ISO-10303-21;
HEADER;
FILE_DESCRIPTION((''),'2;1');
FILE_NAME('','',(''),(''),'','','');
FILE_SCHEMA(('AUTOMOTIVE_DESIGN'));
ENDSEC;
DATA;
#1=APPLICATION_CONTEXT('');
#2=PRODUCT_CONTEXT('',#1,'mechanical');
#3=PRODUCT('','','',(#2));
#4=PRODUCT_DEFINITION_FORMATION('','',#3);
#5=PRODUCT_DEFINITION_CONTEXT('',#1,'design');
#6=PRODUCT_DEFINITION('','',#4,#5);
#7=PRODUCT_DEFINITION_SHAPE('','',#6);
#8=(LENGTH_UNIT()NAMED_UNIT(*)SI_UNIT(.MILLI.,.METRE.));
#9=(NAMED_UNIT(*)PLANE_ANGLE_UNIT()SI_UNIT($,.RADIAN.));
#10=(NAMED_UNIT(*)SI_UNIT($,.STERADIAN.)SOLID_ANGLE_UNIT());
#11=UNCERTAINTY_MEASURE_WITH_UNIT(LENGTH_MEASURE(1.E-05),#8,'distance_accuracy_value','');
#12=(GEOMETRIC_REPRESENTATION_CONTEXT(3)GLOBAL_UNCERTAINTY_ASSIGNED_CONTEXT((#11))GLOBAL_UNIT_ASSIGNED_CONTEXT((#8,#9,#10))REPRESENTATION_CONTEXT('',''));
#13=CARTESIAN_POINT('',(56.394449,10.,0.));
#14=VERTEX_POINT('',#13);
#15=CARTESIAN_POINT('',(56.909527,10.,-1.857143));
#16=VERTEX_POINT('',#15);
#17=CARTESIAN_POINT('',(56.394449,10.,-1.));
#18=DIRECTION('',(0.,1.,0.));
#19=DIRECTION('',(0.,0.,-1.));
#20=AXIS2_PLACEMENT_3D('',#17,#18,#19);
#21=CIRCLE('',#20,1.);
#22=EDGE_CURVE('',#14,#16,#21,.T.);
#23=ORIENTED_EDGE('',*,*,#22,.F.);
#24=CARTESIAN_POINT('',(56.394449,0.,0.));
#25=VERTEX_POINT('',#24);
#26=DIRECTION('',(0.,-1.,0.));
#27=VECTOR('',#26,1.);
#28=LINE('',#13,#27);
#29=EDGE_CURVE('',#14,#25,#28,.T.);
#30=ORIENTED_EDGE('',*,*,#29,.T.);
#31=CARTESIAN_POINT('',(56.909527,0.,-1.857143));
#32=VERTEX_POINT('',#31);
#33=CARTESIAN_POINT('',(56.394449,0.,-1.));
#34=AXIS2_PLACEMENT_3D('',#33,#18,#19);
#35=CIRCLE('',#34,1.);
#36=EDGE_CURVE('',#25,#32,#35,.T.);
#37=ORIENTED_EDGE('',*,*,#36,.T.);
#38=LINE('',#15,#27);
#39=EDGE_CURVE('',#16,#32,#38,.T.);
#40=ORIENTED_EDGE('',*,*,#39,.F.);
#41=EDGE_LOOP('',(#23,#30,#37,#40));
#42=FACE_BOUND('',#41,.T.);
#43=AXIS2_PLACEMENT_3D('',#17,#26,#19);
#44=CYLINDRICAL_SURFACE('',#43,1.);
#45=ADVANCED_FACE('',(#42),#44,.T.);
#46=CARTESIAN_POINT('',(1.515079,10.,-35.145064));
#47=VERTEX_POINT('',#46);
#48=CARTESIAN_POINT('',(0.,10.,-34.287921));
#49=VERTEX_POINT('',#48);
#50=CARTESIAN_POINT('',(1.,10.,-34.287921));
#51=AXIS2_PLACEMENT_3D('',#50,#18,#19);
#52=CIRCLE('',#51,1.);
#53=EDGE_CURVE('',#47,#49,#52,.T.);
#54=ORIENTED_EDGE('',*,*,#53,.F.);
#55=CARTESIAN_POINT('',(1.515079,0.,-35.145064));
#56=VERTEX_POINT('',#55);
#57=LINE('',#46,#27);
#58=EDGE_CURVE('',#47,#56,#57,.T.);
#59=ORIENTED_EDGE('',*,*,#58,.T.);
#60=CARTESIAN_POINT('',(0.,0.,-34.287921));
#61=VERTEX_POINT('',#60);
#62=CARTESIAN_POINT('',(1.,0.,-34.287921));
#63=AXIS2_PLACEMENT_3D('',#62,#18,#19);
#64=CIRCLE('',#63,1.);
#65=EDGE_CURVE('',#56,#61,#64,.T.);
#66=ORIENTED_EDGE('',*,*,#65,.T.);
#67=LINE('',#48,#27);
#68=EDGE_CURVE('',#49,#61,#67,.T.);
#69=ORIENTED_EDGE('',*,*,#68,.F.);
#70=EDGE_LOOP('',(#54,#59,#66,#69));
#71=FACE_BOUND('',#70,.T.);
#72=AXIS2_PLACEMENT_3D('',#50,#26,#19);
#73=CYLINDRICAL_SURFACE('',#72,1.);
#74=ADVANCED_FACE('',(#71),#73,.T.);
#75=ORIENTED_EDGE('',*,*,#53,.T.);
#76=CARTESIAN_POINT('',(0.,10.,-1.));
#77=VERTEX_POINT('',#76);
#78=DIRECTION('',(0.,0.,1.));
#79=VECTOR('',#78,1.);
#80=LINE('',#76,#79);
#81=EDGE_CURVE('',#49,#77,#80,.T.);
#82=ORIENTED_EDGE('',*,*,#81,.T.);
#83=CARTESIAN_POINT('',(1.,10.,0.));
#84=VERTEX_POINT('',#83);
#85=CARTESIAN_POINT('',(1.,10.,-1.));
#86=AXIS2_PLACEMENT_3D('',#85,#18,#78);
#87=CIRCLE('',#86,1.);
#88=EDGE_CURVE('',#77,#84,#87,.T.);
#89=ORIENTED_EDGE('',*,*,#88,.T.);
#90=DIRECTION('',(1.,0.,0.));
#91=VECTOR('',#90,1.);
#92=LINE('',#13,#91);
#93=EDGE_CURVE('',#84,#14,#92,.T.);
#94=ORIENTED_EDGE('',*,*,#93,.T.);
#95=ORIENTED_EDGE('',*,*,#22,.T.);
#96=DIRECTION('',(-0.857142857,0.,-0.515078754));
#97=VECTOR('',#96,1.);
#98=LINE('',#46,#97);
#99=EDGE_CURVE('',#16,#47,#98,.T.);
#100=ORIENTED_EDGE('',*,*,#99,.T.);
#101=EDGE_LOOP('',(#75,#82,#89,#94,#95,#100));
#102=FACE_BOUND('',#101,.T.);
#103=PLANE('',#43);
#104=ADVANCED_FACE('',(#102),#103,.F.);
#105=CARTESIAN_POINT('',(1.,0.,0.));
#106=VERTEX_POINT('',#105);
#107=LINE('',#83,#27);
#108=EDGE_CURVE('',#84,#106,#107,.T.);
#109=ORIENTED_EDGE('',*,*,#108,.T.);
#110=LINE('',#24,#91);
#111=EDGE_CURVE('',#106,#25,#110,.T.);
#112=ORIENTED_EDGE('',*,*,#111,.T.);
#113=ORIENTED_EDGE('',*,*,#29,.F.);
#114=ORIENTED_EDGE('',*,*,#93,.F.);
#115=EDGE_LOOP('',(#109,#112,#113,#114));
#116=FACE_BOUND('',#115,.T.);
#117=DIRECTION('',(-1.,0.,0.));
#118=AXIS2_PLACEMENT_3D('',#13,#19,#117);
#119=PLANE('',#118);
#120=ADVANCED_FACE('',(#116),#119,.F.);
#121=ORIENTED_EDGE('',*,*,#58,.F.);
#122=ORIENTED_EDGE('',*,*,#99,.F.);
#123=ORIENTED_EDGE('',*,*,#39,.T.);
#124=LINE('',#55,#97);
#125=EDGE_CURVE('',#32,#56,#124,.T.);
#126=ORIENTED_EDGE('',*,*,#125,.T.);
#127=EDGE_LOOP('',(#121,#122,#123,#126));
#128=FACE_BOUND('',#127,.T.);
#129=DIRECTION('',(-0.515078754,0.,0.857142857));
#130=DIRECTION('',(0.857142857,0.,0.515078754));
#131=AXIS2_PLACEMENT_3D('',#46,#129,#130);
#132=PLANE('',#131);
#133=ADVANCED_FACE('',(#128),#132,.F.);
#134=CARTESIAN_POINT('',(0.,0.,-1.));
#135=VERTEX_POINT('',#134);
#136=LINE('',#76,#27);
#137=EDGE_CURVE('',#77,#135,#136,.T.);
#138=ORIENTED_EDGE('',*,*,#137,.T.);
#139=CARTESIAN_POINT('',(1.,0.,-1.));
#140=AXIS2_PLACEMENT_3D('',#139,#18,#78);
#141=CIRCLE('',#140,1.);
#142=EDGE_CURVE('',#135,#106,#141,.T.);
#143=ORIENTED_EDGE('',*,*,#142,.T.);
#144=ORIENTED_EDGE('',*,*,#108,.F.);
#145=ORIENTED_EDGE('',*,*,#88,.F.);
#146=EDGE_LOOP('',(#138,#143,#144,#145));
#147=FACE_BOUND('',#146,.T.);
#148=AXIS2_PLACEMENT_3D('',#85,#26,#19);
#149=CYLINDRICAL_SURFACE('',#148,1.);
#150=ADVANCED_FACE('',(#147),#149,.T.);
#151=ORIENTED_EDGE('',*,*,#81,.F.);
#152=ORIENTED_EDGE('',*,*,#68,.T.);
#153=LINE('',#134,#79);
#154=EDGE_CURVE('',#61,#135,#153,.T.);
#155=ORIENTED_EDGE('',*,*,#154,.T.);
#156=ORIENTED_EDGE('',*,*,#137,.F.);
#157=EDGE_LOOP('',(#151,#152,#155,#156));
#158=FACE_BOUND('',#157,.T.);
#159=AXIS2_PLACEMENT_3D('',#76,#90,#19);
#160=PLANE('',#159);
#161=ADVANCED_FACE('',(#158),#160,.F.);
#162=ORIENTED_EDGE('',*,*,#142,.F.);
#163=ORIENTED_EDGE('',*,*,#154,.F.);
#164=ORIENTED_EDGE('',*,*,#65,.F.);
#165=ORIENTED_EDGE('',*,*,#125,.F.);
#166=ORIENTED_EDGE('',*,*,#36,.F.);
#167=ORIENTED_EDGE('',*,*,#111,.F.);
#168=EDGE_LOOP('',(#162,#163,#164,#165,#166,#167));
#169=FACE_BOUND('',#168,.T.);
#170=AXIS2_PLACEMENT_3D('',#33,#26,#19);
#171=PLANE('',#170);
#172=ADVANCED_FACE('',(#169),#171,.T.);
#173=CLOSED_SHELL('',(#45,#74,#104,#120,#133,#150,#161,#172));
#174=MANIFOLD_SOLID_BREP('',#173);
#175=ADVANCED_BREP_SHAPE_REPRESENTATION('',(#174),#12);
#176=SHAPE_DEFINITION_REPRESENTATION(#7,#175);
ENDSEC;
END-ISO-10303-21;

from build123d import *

# Parameters (mm, degrees)
BOSS_EXTRUDE1_DEPTH = 10


with BuildPart() as part:
    # Sketch1 → Boss-Extrude1 (new body)
    with BuildSketch(Plane(origin=(0, 0, 0), x_dir=(1, 0, 0), z_dir=(0, 1, 0))):
        with BuildLine():
            Line((0, 1), (0, 34.287920875))
            ThreePointArc((0, 34.287920875), (0.507597093, 35.158288256), (1.515078754, 35.145063733))
            Line((1.515078754, 35.145063733), (56.909527478, 1.857142857))
            ThreePointArc((56.909527478, 1.857142857), (57.358072836, 0.732738758), (56.394448725, 0))
            Line((56.394448725, 0), (1, 0))
            ThreePointArc((1, 0), (0.292893219, 0.292893219), (0, 1))
        make_face()
    extrude(amount=BOSS_EXTRUDE1_DEPTH)


solid = part.part
